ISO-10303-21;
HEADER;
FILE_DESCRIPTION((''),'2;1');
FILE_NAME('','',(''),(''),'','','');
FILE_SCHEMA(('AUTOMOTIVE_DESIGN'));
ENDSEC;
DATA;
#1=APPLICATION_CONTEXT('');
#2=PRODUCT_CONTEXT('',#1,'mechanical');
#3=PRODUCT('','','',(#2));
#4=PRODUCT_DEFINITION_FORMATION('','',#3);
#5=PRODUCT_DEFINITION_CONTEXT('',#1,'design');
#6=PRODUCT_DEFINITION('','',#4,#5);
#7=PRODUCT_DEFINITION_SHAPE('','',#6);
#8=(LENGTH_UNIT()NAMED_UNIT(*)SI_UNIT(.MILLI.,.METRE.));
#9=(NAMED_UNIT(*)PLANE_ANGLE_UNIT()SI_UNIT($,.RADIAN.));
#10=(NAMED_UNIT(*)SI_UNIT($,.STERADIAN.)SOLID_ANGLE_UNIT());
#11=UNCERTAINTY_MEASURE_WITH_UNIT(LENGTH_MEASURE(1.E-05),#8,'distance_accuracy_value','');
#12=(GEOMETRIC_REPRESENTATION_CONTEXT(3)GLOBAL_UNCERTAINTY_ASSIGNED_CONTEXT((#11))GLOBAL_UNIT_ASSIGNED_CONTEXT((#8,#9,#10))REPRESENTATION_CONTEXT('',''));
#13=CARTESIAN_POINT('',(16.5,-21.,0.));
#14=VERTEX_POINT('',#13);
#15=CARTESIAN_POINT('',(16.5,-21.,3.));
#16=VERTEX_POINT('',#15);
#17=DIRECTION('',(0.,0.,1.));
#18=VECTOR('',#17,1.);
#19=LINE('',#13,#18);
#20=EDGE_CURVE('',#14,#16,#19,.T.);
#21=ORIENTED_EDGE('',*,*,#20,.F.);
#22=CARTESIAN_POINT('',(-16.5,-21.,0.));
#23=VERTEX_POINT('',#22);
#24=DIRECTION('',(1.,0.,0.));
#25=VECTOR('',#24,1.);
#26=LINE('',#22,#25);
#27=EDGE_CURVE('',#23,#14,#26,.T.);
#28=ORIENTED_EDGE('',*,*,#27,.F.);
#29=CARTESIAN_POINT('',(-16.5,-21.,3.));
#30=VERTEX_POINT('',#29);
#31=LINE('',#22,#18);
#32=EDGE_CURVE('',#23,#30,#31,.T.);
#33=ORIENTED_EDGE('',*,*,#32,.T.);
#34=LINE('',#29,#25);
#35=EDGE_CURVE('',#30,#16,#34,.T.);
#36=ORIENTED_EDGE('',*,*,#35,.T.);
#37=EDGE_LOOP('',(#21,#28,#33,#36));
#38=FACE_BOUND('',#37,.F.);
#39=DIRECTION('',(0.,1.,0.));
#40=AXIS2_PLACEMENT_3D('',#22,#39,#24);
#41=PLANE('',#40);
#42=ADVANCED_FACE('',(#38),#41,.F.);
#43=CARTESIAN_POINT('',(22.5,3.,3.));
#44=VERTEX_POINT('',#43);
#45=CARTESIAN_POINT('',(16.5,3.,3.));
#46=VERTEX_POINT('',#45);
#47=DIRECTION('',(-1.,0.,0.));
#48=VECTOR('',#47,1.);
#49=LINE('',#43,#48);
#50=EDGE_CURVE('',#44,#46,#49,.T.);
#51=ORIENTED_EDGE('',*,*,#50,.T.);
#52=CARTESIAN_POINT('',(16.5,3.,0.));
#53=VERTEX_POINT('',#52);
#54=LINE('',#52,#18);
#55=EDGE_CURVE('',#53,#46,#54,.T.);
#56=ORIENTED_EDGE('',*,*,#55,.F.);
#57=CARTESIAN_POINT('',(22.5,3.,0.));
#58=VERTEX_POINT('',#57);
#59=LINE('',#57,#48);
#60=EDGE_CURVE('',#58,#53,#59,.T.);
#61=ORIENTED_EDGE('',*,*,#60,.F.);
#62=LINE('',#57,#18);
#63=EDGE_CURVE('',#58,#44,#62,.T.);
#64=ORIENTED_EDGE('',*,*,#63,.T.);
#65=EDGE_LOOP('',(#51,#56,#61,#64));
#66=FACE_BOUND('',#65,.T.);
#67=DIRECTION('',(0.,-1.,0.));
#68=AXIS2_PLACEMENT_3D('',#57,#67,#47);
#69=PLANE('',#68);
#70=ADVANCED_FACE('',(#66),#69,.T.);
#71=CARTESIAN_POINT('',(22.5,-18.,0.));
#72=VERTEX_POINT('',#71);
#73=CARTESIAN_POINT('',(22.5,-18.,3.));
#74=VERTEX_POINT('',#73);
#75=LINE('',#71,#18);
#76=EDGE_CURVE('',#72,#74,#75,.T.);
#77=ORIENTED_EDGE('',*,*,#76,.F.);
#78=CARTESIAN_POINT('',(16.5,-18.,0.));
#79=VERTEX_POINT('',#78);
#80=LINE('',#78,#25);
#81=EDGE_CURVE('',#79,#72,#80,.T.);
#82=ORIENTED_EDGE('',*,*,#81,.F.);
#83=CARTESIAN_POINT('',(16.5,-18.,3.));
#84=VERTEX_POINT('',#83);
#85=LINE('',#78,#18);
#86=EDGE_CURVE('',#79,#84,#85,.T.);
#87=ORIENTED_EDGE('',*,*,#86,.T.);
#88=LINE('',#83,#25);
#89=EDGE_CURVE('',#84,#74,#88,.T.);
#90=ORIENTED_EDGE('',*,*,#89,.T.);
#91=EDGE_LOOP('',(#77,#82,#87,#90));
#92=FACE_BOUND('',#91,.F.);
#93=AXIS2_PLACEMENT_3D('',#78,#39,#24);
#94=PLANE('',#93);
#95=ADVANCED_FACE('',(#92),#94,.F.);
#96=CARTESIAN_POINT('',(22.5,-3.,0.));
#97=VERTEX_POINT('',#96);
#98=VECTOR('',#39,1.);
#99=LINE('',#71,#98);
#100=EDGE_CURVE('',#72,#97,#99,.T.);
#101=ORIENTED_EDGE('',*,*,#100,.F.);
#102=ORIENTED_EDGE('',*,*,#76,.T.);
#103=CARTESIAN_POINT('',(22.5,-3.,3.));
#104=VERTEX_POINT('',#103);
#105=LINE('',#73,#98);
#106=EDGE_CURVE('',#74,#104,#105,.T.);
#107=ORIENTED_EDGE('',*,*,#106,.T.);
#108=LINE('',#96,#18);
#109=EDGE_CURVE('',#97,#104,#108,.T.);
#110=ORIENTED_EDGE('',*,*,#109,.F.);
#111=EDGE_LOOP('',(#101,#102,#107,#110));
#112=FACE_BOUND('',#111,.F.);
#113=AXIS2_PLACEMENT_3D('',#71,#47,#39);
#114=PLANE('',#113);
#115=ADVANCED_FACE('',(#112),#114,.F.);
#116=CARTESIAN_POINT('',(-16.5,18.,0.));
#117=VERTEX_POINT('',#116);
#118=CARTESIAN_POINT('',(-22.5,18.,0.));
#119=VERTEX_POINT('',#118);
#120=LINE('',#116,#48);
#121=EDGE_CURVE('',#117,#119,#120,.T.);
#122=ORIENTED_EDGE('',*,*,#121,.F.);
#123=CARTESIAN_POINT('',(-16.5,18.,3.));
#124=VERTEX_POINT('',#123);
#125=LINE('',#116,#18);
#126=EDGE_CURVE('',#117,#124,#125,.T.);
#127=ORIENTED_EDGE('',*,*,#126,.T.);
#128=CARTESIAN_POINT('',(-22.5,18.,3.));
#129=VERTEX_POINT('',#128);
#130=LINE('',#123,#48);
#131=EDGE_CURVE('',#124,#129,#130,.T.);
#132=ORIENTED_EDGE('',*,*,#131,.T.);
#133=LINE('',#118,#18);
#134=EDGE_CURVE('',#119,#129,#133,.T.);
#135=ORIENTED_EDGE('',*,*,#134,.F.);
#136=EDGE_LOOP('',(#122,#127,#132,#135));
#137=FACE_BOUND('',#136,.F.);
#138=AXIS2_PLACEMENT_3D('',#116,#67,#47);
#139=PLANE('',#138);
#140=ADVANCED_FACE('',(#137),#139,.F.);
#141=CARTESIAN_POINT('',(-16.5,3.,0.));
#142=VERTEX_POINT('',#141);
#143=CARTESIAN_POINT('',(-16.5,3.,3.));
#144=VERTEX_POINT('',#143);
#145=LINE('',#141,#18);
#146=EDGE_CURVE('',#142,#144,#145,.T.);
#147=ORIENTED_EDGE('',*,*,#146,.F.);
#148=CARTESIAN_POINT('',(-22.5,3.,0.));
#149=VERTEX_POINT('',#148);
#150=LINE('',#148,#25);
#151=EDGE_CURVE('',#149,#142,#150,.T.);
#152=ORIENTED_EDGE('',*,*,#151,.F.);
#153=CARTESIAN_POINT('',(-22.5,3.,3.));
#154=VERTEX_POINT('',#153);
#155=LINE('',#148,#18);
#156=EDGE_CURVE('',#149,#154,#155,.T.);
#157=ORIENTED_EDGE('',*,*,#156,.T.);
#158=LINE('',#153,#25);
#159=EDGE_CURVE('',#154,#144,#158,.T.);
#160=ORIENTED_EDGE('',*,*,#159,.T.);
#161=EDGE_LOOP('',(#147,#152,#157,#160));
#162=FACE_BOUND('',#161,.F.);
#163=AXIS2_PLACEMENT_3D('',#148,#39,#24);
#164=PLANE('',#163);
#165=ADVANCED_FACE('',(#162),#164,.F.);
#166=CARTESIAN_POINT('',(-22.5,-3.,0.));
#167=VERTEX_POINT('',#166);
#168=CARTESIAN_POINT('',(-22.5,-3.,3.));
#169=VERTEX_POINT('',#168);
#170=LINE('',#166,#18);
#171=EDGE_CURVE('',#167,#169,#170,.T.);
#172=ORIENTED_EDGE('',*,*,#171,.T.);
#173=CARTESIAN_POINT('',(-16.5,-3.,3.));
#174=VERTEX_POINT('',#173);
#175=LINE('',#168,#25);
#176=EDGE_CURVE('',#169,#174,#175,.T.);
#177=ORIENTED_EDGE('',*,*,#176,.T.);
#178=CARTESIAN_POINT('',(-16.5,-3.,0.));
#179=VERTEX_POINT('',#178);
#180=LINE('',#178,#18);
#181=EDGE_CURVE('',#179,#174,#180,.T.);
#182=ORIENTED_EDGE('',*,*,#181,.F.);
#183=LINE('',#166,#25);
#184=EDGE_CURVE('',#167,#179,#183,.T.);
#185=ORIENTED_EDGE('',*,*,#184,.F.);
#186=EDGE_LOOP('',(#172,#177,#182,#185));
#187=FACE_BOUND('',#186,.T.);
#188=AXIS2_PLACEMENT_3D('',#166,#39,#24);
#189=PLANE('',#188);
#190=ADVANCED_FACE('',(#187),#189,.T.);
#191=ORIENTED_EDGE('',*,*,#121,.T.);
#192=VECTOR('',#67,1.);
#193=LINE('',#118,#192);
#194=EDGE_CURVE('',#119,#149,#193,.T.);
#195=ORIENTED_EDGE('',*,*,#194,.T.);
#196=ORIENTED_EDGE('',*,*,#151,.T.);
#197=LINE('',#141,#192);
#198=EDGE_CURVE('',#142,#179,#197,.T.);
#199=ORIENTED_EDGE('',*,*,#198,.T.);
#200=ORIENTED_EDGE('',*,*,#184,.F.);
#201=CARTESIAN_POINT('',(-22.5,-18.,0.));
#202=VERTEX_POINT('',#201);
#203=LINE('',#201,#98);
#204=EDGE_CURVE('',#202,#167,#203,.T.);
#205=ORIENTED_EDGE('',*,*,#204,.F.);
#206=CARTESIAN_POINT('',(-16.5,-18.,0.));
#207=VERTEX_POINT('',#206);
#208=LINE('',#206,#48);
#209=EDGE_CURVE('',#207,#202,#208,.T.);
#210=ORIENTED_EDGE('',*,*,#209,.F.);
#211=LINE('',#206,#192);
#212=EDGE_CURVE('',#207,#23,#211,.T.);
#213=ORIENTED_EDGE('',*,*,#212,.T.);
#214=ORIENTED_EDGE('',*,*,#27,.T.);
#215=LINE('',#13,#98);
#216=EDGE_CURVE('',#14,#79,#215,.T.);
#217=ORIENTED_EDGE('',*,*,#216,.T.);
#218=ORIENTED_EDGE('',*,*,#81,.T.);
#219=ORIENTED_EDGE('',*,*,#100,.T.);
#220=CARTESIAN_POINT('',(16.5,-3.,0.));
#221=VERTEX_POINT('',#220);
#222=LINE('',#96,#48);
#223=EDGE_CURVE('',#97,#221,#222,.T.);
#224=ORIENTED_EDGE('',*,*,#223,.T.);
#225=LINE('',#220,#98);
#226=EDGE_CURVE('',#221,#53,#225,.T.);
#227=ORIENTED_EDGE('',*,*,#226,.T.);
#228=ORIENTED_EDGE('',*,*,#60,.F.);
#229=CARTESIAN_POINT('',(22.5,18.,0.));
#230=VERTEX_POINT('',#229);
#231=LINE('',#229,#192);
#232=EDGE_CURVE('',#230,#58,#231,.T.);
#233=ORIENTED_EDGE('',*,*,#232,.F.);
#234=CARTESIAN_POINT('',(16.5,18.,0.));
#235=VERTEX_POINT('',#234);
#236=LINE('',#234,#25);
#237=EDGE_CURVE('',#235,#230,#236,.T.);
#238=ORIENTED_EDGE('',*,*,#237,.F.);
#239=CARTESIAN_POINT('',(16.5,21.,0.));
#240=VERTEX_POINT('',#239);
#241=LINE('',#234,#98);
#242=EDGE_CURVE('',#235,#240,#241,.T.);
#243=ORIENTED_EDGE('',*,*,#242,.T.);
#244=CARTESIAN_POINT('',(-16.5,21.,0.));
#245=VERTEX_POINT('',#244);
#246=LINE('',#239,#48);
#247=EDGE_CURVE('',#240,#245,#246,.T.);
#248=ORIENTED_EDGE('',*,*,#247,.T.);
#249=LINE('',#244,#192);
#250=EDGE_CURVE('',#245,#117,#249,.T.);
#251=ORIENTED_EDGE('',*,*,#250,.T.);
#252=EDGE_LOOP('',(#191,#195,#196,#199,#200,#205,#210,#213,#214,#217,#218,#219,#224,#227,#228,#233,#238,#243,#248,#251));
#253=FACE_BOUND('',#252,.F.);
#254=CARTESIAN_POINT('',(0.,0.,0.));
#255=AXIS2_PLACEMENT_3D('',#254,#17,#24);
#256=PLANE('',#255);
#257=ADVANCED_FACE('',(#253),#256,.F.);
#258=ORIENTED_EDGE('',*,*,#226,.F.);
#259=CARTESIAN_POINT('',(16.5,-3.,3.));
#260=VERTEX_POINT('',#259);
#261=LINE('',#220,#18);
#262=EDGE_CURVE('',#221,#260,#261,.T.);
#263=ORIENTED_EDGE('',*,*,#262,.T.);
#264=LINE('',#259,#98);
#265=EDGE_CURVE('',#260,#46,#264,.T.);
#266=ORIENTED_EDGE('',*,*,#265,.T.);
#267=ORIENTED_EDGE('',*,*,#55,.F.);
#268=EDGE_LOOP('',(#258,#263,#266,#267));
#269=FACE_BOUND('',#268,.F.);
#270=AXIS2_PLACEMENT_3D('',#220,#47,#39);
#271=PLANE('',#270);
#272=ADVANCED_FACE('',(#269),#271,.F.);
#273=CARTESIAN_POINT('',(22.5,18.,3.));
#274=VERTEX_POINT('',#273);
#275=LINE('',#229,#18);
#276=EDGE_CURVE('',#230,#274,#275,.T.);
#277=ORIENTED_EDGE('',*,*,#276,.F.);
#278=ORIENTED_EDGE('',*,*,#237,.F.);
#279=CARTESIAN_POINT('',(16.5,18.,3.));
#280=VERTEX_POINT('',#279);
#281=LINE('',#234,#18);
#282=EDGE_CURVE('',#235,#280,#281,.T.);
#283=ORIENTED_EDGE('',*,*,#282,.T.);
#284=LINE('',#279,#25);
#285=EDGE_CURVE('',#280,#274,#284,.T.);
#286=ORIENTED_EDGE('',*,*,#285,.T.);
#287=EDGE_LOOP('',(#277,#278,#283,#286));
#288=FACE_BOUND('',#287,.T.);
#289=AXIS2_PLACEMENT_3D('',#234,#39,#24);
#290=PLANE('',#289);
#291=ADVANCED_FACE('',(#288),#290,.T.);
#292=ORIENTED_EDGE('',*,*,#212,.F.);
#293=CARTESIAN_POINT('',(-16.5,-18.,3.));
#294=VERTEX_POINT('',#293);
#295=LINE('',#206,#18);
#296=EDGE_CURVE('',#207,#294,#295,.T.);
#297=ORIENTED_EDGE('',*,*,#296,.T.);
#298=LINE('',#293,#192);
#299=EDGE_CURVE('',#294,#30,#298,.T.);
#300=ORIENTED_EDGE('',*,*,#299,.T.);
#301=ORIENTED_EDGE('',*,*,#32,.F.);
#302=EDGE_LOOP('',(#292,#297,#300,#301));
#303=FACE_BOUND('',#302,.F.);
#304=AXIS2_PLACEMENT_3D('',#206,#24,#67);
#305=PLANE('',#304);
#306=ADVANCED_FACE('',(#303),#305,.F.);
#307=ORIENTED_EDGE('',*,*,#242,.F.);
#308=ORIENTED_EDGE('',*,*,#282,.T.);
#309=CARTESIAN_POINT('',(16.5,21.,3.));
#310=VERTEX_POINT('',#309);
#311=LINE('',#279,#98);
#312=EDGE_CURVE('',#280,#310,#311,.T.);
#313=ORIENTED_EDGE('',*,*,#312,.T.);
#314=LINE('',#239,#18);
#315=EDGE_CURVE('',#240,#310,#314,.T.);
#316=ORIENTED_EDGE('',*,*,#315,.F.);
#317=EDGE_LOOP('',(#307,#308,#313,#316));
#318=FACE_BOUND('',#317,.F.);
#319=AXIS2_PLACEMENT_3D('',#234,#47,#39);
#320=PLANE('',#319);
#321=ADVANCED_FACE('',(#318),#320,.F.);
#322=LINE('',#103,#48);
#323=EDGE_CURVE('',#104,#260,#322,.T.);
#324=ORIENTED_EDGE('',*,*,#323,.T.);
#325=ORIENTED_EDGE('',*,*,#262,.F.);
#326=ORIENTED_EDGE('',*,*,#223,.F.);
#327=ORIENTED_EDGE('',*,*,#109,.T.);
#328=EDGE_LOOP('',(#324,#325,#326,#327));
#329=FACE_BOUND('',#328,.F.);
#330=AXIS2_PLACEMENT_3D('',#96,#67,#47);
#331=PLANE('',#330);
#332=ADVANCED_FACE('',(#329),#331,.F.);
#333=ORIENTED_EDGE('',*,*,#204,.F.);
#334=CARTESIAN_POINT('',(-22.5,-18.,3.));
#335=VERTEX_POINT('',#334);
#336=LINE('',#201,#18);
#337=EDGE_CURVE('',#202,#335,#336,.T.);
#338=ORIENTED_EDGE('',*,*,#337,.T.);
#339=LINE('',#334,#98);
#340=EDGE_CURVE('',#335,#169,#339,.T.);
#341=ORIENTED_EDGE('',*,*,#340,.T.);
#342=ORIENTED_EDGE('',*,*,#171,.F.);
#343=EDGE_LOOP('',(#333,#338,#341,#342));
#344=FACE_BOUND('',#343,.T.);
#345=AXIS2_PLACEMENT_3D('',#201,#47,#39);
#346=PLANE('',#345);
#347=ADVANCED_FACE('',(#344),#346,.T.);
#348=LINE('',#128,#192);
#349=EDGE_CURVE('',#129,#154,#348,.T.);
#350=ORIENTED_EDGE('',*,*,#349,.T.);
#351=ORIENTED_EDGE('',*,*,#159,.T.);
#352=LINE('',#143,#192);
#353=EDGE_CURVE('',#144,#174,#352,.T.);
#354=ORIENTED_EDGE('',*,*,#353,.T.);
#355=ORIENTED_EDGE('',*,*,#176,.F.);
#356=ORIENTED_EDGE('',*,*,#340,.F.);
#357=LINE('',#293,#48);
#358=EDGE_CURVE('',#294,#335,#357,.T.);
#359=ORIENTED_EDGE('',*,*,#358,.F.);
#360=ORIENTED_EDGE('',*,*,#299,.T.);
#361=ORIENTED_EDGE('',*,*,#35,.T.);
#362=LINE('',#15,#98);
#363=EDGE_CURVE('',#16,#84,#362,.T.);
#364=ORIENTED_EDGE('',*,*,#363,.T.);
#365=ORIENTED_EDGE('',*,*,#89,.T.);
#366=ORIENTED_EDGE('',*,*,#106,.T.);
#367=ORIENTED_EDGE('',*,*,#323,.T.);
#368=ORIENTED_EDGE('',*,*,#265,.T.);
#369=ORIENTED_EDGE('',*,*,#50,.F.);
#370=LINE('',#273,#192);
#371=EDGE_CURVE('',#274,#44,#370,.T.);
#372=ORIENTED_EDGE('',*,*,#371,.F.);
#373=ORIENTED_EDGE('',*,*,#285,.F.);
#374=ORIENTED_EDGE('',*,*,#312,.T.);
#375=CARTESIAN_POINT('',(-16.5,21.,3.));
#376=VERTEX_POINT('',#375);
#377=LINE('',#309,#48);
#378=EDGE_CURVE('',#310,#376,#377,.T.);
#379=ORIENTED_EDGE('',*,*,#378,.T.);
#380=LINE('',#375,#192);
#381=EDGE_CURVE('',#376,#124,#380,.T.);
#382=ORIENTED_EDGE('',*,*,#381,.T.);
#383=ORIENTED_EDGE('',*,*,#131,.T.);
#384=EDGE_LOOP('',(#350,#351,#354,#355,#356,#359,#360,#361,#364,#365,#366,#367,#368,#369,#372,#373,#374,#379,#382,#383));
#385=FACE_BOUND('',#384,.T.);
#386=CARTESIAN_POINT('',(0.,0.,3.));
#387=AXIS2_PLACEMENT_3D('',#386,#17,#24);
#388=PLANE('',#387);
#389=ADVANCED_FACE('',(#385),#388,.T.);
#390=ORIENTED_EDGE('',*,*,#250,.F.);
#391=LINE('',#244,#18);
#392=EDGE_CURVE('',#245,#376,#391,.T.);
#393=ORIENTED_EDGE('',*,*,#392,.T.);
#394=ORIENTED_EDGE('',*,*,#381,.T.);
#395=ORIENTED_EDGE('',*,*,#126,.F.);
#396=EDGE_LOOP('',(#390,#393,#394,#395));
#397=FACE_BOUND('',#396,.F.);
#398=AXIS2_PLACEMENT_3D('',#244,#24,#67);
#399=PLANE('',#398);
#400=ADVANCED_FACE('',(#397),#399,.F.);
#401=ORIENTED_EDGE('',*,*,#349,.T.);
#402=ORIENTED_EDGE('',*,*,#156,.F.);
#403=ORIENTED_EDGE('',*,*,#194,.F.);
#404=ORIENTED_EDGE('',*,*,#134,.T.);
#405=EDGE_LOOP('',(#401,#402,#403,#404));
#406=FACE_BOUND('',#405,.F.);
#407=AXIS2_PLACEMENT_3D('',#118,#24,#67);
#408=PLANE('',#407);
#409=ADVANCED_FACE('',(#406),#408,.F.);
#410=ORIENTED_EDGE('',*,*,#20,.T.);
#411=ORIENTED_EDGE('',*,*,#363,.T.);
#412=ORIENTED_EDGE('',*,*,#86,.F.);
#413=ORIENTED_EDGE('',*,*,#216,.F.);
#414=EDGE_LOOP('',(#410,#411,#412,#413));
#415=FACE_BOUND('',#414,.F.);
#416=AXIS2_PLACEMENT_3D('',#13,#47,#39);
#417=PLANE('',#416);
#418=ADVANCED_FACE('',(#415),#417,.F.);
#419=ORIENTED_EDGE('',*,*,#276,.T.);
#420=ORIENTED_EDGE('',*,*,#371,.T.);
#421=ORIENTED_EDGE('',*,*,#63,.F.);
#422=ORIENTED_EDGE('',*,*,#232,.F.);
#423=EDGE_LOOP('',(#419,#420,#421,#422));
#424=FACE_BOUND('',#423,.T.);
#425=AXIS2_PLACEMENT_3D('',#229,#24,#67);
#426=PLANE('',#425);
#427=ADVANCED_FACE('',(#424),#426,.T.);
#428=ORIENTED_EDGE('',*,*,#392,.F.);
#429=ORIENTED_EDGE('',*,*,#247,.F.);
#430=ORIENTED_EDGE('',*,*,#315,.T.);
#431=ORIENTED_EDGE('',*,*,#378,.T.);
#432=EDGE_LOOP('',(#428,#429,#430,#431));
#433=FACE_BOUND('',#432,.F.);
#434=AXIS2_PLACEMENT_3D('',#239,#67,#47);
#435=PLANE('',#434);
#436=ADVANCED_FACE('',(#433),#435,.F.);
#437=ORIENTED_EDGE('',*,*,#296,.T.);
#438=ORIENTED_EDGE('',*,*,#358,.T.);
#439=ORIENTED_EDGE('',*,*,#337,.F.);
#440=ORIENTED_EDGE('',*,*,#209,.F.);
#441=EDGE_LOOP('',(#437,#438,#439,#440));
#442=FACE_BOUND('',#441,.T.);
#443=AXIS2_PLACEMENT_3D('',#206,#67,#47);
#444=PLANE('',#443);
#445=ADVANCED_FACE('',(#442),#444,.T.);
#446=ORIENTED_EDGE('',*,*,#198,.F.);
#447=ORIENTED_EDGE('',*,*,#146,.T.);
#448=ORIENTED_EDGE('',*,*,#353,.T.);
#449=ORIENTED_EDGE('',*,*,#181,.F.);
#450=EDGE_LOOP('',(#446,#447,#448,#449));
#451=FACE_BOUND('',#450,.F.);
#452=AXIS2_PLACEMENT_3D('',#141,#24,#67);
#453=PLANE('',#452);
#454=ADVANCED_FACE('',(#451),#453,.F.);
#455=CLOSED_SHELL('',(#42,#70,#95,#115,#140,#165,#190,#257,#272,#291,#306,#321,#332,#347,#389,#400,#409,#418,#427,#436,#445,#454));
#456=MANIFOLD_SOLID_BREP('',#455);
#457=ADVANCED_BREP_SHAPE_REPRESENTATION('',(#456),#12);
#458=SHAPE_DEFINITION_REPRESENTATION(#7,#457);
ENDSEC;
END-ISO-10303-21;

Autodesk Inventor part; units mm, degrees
ref_plane "YZ Plane" through (0, 0, 0) normal (1, 0, 0) x (0, 1, 0)
ref_plane "XZ Plane" through (0, 0, 0) normal (0, 1, 0) x (-1, 0, 0)
ref_plane "XY Plane" through (0, 0, 0) normal (0, 0, 1) x (1, 0, 0)
sketch "Sketch2" plane through (0, 0, 0) normal (0, 0, 1) x (1, 0, 0)
  line L0 (16.5, 21) -> (-16.5, 21)
  line L1 (-16.5, 21) -> (-16.5, 18)
  line L2 (-16.5, -21) -> (16.5, -21)
  line L3 (16.5, -21) -> (16.5, -18)
  line L4 (-31.5, 0) -> (31.5, 0) construction
  line L5 (0, -29.4) -> (0, 29.4) construction
  line L6 (-16.5, 18) -> (-22.5, 18)
  line L7 (-22.5, 18) -> (-22.5, 3)
  line L8 (-22.5, 3) -> (-16.5, 3)
  line L9 (16.5, 18) -> (22.5, 18)
  line L10 (22.5, 18) -> (22.5, 3)
  line L11 (22.5, 3) -> (16.5, 3)
  line L12 (-16.5, -18) -> (-22.5, -18)
  line L13 (-22.5, -18) -> (-22.5, -3)
  line L14 (-22.5, -3) -> (-16.5, -3)
  line L15 (16.5, -18) -> (22.5, -18)
  line L16 (22.5, -18) -> (22.5, -3)
  line L17 (22.5, -3) -> (16.5, -3)
  line L18 (-16.5, 18) -> (-16.5, 3)
  line L19 (-16.5, 3) -> (-16.5, -3)
  line L20 (-16.5, -3) -> (-16.5, -18)
  line L21 (-16.5, -18) -> (-16.5, -21)
  line L22 (16.5, -3) -> (16.5, 3)
  line L23 (16.5, -18) -> (16.5, -3)
  line L24 (16.5, 3) -> (16.5, 18)
  line L25 (16.5, 18) -> (16.5, 21)
  point P0 (0, 0)
  dimension "d0" = 33
  dimension "d1" = 42
  dimension "d4" = 6
  dimension "d5" = 6
  dimension "d6" = 3
  dimension "d7" = 3
extrude "Extrusion1" add sketch "Sketch2" along normal blind 3
properties part number "Motor-Side"
